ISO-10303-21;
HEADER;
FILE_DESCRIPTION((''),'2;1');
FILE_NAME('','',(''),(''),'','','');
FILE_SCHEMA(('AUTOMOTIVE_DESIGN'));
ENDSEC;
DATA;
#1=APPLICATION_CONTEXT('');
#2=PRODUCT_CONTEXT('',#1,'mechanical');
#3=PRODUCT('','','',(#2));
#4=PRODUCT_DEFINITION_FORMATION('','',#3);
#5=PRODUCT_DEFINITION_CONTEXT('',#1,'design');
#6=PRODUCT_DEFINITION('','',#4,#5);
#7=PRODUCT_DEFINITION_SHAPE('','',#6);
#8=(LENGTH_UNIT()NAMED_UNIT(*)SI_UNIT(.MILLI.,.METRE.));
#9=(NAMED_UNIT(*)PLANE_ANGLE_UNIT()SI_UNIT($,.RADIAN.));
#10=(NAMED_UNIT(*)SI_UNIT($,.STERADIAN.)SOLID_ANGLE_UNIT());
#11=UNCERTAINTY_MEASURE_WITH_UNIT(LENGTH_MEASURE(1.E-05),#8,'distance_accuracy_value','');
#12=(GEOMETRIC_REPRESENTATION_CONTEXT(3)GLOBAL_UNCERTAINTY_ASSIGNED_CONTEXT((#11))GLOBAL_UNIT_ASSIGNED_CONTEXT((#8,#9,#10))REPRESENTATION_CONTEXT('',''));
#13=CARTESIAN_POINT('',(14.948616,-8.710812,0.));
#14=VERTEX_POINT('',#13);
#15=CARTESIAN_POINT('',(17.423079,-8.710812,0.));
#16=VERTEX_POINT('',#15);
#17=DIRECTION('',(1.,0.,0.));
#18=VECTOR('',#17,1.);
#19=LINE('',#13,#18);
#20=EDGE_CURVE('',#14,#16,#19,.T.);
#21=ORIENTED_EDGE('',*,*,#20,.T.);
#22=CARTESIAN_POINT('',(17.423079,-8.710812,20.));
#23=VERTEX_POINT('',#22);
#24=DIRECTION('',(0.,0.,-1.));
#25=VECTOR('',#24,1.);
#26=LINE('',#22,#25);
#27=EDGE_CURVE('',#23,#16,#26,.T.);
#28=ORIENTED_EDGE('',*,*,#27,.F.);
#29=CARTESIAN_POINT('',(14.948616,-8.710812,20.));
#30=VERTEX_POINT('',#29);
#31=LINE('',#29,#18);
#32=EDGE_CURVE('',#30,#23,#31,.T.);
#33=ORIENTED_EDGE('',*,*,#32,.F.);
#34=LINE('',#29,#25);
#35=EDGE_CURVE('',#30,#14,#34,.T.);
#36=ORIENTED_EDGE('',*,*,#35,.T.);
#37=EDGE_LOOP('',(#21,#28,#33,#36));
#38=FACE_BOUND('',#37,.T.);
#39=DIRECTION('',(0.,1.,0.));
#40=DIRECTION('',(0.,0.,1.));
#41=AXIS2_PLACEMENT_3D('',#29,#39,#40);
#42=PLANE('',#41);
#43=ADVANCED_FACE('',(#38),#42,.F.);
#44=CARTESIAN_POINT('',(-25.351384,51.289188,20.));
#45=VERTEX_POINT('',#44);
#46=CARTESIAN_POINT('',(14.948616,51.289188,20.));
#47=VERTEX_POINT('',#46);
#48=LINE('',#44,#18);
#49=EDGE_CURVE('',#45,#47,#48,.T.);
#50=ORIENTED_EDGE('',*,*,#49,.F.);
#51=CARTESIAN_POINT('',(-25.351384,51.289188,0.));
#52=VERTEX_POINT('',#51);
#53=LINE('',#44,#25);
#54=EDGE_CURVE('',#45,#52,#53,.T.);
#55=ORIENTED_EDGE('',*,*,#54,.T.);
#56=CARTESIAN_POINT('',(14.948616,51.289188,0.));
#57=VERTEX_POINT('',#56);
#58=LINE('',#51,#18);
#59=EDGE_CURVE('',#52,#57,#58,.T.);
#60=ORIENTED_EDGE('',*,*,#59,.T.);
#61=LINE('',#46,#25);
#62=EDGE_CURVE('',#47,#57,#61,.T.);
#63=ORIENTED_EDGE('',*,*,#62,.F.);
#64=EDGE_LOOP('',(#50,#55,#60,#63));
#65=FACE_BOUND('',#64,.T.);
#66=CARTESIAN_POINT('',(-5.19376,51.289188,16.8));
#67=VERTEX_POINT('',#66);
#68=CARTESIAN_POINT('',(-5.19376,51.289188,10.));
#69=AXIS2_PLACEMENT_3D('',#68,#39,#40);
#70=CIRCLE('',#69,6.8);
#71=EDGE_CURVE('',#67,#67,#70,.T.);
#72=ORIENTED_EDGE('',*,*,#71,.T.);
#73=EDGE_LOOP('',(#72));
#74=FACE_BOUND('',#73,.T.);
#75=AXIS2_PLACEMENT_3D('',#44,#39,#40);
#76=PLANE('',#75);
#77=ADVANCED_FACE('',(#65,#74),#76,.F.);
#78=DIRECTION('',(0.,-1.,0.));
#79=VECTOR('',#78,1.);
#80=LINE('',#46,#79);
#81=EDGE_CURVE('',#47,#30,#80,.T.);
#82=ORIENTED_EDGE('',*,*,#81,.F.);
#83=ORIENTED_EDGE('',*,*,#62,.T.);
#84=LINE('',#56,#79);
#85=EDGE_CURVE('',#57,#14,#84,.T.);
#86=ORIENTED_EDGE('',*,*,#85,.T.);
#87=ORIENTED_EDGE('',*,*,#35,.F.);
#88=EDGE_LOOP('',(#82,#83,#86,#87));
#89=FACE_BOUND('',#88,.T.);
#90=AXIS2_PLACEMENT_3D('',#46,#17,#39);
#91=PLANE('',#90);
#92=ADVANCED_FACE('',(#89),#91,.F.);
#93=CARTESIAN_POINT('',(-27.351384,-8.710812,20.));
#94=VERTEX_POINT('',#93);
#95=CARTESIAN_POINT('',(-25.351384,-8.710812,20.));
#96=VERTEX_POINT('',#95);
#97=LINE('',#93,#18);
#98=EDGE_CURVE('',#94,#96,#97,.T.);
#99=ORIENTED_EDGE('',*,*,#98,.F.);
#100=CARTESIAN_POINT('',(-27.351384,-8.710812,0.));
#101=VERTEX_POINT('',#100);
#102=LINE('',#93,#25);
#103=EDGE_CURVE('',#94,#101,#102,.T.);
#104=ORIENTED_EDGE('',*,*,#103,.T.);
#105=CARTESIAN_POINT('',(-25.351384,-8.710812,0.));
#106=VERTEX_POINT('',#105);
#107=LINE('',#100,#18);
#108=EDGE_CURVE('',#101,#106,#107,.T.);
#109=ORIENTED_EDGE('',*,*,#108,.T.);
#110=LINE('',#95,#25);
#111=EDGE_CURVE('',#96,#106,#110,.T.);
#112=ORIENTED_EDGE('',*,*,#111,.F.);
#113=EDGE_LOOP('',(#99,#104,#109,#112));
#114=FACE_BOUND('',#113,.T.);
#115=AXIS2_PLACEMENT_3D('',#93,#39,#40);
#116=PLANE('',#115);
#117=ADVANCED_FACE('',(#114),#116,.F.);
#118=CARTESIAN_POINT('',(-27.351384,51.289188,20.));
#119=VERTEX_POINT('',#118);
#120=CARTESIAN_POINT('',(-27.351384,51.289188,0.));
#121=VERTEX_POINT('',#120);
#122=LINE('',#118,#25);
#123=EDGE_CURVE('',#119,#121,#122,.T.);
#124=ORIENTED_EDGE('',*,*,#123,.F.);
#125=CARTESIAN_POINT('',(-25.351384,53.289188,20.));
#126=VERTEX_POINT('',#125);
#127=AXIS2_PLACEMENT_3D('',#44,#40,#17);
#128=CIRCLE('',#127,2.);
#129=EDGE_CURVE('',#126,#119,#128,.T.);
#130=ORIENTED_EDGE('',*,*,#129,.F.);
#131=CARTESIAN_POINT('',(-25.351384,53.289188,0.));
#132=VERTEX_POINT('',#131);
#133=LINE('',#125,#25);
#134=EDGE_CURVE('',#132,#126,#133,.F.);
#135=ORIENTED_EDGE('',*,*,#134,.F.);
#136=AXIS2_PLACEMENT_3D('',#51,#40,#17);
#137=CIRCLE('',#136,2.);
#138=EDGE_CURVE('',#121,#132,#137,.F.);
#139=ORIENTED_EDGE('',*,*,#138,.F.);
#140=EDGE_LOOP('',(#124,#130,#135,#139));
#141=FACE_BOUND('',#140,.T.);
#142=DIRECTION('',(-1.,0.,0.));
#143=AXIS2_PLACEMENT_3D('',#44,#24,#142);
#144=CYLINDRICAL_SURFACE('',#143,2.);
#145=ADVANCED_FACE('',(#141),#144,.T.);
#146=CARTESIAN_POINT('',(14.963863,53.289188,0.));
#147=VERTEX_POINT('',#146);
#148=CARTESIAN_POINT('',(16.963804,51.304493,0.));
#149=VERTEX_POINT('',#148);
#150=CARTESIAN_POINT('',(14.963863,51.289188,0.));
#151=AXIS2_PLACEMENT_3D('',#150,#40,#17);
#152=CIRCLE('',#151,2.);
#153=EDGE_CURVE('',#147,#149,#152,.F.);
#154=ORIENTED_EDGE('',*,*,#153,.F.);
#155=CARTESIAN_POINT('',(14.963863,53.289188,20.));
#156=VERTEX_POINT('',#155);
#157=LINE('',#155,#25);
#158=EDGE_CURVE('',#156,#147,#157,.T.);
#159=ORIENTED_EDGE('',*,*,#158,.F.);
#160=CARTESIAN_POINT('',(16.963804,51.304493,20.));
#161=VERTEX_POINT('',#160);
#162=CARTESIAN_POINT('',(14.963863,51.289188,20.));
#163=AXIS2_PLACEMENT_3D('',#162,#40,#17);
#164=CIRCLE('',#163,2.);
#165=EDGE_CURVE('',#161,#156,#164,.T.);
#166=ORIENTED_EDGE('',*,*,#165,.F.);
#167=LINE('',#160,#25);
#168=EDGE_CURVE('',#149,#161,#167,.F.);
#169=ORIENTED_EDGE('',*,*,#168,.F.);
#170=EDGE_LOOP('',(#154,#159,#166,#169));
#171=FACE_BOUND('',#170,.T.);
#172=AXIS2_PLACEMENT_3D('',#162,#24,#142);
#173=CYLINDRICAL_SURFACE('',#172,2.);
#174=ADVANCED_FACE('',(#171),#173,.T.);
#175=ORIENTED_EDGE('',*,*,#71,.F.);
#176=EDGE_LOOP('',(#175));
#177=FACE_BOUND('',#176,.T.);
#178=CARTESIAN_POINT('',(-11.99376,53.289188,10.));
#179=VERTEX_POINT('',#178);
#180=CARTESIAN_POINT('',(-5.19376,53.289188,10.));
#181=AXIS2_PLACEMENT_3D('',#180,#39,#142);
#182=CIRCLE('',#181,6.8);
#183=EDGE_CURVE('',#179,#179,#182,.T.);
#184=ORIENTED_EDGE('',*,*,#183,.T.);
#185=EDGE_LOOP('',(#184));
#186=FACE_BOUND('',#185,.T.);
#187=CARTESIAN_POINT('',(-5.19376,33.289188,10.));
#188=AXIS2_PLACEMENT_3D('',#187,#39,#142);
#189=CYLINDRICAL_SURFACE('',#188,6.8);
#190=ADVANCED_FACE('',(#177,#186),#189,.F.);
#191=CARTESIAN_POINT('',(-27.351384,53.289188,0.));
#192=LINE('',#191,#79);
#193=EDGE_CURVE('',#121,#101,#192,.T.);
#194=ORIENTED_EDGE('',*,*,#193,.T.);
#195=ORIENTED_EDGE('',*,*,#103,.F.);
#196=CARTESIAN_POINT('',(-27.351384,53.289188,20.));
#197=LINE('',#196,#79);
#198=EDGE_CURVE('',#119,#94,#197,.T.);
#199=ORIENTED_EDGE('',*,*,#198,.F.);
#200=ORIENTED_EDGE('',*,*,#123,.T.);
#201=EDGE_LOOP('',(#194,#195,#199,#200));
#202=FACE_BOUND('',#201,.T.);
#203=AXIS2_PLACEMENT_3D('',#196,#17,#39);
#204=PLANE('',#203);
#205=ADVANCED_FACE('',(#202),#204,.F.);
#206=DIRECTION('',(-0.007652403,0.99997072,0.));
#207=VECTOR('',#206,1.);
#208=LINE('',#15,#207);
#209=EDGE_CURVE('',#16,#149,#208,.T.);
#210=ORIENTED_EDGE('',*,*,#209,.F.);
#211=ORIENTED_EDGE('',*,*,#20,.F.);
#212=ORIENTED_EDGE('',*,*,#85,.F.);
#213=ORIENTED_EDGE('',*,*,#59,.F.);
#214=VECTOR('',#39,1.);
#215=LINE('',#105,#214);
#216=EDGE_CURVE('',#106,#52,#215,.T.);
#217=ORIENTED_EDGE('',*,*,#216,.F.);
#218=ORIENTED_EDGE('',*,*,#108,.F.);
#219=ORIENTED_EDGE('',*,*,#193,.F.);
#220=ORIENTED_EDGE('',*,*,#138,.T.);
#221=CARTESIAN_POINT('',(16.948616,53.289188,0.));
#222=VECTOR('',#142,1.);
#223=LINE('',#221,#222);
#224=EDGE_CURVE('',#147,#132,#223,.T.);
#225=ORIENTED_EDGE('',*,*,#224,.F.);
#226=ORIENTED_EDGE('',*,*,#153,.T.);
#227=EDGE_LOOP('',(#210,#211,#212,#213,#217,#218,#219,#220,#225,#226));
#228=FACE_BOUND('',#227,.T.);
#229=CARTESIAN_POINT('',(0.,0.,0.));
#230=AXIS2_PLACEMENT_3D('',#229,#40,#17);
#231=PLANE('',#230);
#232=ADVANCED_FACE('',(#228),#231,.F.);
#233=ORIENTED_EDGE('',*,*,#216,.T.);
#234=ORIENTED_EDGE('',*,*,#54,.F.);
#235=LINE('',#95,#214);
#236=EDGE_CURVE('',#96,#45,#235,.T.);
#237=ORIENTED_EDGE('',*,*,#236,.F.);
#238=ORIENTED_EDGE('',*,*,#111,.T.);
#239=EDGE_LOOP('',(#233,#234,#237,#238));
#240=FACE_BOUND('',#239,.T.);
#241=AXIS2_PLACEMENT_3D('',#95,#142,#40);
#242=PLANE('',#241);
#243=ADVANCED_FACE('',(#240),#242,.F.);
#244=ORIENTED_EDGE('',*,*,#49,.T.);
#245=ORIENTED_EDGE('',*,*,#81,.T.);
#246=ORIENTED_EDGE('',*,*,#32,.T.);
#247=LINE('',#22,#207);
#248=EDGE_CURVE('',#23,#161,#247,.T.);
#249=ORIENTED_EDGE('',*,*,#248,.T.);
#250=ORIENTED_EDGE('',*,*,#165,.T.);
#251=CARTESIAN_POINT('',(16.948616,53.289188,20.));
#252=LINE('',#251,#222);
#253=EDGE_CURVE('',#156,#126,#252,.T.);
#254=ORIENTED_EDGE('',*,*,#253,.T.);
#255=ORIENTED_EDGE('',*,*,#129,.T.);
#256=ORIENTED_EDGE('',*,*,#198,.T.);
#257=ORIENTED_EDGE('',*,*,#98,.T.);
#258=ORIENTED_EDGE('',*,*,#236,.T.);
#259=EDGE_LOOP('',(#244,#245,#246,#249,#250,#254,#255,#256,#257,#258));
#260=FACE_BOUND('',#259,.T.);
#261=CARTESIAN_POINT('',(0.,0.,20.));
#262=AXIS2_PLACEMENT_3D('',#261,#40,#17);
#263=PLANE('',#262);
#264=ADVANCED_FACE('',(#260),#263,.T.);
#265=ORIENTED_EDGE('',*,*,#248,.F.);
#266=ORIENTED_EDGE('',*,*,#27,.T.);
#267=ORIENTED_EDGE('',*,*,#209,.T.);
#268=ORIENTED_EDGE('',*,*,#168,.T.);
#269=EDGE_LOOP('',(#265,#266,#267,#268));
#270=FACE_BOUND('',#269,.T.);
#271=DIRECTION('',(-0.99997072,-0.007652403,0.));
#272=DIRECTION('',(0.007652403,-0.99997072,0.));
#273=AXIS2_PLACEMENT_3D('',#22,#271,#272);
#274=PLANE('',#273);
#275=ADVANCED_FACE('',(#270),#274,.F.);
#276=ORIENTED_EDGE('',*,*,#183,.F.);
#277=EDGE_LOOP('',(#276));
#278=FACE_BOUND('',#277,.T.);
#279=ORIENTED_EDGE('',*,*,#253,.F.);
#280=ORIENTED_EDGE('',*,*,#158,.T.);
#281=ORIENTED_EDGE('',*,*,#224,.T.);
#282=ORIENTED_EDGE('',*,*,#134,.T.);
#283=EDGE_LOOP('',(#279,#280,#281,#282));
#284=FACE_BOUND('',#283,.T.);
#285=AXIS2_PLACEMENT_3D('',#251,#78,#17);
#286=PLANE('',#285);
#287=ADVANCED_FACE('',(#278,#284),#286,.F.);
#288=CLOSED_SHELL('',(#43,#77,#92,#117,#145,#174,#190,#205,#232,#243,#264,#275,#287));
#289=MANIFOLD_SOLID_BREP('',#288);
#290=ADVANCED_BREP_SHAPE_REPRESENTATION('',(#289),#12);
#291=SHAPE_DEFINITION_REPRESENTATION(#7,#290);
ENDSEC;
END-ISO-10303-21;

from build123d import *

# Parameters (mm, degrees)
EXTRUDE_1_DEPTH     = 20
FILLET_2_R          = 2
FILLET_4_R          = 2
SKETCH_2_R          = 6.8
CUT_EXTRUDE_2_DEPTH = 20


with BuildPart() as part:
    # 草图1 → 凸台-拉伸1 (new body)
    with BuildSketch(Plane.XY):
        Polygon((-27.351383791, 53.289188169), (-27.351383791, -8.710811831), (-25.351383791, -8.710811831), (-25.351383791, 51.289188169), (14.948616209, 51.289188169), (14.948616209, -8.710811831), (17.423079102, -8.710811831), (16.948616209, 53.289188169), align=None)
    extrude(amount=EXTRUDE_1_DEPTH)

    # 圆角2
    fillet_2_edges = [part.edges().sort_by_distance(p)[0] for p in [
        (-27.351383791, 53.289188169, 10),
    ]]
    fillet(fillet_2_edges, radius=FILLET_2_R)

    # 圆角4
    fillet_4_edges = [part.edges().sort_by_distance(p)[0] for p in [
        (16.948616209, 53.289188169, 10),
    ]]
    fillet(fillet_4_edges, radius=FILLET_4_R)

    # 草图2 → 切除-拉伸2 (cut)
    with BuildSketch(Plane(origin=(0, 53.289188169, 0), x_dir=(1, 0, 0), z_dir=(0, 1, 0))):
        with Locations(Location((-5.193760445, -10, 0), (0, 0, 180))):
            Circle(SKETCH_2_R)
    extrude(amount=-CUT_EXTRUDE_2_DEPTH, mode=Mode.SUBTRACT)


solid = part.part
